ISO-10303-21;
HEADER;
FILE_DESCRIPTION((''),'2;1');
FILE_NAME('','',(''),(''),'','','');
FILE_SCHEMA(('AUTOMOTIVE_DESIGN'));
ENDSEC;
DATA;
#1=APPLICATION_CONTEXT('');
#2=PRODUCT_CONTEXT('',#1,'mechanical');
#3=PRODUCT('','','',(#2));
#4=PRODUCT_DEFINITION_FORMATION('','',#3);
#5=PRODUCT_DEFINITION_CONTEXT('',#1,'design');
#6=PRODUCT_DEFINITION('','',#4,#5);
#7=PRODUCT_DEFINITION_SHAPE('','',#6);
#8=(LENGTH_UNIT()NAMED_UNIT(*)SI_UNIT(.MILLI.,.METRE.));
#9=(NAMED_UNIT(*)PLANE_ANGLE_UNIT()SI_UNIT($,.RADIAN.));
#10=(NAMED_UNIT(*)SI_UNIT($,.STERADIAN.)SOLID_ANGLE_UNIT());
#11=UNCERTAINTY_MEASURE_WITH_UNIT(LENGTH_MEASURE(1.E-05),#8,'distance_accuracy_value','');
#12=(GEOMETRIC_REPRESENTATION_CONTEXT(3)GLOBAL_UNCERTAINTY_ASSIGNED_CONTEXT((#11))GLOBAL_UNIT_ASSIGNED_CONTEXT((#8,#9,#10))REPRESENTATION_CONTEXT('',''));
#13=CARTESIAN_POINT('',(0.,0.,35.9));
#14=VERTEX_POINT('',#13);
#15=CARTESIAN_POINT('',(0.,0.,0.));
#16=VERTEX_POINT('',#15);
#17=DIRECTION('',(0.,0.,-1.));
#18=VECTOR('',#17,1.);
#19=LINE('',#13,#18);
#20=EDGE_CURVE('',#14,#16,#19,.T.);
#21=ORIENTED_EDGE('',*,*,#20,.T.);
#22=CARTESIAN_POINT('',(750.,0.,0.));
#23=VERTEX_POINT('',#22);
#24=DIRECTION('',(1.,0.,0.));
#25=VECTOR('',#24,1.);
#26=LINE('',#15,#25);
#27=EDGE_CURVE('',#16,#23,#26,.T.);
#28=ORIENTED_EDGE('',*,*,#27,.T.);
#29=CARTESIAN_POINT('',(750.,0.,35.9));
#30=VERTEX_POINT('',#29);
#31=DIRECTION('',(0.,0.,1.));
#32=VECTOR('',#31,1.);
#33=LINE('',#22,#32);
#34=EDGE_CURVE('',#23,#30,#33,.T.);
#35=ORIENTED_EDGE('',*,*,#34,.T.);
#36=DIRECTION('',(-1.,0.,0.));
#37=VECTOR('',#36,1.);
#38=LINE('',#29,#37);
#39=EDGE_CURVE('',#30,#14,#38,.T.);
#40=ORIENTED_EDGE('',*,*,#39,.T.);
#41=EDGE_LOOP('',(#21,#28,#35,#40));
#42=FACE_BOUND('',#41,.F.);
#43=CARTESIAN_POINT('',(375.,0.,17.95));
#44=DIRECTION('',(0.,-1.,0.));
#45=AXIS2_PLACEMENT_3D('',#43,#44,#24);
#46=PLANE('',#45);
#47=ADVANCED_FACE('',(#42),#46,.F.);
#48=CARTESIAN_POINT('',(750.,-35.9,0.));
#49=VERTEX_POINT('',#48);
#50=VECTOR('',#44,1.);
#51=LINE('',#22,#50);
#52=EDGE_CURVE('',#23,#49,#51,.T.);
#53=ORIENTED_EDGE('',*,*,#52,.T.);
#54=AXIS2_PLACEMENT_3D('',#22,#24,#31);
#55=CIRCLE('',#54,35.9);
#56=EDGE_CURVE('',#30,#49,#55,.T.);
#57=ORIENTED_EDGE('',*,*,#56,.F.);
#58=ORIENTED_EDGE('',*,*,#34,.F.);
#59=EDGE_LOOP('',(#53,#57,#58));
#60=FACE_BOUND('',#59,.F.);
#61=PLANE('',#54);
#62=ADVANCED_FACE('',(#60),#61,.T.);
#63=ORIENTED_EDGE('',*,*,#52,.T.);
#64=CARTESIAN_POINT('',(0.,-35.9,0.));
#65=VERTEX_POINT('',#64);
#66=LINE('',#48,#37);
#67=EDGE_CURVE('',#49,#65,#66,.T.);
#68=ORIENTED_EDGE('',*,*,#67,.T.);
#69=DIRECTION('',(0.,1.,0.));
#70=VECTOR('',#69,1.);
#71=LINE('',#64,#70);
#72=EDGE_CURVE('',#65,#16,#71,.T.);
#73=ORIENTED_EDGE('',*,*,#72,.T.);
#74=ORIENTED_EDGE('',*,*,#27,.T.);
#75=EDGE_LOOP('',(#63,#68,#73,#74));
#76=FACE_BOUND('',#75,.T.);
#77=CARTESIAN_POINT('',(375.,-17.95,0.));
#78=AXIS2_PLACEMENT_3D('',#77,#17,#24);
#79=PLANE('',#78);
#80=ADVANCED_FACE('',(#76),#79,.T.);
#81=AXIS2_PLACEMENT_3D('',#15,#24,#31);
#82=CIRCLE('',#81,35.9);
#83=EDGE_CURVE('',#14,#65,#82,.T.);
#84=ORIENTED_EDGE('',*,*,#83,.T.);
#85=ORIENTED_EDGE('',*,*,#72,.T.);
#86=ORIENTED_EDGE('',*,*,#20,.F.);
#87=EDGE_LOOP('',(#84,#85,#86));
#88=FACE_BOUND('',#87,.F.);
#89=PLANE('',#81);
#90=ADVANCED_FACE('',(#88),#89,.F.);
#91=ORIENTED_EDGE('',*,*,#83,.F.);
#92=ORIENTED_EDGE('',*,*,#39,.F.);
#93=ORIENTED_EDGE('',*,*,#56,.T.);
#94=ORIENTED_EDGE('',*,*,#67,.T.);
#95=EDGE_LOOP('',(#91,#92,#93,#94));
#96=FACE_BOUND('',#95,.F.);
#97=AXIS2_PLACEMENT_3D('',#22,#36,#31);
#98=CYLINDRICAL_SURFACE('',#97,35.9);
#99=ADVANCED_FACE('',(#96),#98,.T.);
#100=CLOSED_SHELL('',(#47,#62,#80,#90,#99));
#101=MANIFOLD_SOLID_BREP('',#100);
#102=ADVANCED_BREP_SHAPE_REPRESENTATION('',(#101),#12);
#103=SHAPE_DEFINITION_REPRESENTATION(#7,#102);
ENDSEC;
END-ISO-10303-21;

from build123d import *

# Parameters (mm, degrees)
F1_ANGLE = 90


with BuildPart() as f1:
    # F0 (on Front) → F1 (revolve)
    with BuildSketch(Plane.XZ):
        Polygon((750, 35.9), (0, 35.9), (0, 24.079584), (0, 0), (750, 0), align=None)
    revolve(axis=Axis((375, 0, 0), (1, 0, 0)), revolution_arc=F1_ANGLE)


solid = f1.part
